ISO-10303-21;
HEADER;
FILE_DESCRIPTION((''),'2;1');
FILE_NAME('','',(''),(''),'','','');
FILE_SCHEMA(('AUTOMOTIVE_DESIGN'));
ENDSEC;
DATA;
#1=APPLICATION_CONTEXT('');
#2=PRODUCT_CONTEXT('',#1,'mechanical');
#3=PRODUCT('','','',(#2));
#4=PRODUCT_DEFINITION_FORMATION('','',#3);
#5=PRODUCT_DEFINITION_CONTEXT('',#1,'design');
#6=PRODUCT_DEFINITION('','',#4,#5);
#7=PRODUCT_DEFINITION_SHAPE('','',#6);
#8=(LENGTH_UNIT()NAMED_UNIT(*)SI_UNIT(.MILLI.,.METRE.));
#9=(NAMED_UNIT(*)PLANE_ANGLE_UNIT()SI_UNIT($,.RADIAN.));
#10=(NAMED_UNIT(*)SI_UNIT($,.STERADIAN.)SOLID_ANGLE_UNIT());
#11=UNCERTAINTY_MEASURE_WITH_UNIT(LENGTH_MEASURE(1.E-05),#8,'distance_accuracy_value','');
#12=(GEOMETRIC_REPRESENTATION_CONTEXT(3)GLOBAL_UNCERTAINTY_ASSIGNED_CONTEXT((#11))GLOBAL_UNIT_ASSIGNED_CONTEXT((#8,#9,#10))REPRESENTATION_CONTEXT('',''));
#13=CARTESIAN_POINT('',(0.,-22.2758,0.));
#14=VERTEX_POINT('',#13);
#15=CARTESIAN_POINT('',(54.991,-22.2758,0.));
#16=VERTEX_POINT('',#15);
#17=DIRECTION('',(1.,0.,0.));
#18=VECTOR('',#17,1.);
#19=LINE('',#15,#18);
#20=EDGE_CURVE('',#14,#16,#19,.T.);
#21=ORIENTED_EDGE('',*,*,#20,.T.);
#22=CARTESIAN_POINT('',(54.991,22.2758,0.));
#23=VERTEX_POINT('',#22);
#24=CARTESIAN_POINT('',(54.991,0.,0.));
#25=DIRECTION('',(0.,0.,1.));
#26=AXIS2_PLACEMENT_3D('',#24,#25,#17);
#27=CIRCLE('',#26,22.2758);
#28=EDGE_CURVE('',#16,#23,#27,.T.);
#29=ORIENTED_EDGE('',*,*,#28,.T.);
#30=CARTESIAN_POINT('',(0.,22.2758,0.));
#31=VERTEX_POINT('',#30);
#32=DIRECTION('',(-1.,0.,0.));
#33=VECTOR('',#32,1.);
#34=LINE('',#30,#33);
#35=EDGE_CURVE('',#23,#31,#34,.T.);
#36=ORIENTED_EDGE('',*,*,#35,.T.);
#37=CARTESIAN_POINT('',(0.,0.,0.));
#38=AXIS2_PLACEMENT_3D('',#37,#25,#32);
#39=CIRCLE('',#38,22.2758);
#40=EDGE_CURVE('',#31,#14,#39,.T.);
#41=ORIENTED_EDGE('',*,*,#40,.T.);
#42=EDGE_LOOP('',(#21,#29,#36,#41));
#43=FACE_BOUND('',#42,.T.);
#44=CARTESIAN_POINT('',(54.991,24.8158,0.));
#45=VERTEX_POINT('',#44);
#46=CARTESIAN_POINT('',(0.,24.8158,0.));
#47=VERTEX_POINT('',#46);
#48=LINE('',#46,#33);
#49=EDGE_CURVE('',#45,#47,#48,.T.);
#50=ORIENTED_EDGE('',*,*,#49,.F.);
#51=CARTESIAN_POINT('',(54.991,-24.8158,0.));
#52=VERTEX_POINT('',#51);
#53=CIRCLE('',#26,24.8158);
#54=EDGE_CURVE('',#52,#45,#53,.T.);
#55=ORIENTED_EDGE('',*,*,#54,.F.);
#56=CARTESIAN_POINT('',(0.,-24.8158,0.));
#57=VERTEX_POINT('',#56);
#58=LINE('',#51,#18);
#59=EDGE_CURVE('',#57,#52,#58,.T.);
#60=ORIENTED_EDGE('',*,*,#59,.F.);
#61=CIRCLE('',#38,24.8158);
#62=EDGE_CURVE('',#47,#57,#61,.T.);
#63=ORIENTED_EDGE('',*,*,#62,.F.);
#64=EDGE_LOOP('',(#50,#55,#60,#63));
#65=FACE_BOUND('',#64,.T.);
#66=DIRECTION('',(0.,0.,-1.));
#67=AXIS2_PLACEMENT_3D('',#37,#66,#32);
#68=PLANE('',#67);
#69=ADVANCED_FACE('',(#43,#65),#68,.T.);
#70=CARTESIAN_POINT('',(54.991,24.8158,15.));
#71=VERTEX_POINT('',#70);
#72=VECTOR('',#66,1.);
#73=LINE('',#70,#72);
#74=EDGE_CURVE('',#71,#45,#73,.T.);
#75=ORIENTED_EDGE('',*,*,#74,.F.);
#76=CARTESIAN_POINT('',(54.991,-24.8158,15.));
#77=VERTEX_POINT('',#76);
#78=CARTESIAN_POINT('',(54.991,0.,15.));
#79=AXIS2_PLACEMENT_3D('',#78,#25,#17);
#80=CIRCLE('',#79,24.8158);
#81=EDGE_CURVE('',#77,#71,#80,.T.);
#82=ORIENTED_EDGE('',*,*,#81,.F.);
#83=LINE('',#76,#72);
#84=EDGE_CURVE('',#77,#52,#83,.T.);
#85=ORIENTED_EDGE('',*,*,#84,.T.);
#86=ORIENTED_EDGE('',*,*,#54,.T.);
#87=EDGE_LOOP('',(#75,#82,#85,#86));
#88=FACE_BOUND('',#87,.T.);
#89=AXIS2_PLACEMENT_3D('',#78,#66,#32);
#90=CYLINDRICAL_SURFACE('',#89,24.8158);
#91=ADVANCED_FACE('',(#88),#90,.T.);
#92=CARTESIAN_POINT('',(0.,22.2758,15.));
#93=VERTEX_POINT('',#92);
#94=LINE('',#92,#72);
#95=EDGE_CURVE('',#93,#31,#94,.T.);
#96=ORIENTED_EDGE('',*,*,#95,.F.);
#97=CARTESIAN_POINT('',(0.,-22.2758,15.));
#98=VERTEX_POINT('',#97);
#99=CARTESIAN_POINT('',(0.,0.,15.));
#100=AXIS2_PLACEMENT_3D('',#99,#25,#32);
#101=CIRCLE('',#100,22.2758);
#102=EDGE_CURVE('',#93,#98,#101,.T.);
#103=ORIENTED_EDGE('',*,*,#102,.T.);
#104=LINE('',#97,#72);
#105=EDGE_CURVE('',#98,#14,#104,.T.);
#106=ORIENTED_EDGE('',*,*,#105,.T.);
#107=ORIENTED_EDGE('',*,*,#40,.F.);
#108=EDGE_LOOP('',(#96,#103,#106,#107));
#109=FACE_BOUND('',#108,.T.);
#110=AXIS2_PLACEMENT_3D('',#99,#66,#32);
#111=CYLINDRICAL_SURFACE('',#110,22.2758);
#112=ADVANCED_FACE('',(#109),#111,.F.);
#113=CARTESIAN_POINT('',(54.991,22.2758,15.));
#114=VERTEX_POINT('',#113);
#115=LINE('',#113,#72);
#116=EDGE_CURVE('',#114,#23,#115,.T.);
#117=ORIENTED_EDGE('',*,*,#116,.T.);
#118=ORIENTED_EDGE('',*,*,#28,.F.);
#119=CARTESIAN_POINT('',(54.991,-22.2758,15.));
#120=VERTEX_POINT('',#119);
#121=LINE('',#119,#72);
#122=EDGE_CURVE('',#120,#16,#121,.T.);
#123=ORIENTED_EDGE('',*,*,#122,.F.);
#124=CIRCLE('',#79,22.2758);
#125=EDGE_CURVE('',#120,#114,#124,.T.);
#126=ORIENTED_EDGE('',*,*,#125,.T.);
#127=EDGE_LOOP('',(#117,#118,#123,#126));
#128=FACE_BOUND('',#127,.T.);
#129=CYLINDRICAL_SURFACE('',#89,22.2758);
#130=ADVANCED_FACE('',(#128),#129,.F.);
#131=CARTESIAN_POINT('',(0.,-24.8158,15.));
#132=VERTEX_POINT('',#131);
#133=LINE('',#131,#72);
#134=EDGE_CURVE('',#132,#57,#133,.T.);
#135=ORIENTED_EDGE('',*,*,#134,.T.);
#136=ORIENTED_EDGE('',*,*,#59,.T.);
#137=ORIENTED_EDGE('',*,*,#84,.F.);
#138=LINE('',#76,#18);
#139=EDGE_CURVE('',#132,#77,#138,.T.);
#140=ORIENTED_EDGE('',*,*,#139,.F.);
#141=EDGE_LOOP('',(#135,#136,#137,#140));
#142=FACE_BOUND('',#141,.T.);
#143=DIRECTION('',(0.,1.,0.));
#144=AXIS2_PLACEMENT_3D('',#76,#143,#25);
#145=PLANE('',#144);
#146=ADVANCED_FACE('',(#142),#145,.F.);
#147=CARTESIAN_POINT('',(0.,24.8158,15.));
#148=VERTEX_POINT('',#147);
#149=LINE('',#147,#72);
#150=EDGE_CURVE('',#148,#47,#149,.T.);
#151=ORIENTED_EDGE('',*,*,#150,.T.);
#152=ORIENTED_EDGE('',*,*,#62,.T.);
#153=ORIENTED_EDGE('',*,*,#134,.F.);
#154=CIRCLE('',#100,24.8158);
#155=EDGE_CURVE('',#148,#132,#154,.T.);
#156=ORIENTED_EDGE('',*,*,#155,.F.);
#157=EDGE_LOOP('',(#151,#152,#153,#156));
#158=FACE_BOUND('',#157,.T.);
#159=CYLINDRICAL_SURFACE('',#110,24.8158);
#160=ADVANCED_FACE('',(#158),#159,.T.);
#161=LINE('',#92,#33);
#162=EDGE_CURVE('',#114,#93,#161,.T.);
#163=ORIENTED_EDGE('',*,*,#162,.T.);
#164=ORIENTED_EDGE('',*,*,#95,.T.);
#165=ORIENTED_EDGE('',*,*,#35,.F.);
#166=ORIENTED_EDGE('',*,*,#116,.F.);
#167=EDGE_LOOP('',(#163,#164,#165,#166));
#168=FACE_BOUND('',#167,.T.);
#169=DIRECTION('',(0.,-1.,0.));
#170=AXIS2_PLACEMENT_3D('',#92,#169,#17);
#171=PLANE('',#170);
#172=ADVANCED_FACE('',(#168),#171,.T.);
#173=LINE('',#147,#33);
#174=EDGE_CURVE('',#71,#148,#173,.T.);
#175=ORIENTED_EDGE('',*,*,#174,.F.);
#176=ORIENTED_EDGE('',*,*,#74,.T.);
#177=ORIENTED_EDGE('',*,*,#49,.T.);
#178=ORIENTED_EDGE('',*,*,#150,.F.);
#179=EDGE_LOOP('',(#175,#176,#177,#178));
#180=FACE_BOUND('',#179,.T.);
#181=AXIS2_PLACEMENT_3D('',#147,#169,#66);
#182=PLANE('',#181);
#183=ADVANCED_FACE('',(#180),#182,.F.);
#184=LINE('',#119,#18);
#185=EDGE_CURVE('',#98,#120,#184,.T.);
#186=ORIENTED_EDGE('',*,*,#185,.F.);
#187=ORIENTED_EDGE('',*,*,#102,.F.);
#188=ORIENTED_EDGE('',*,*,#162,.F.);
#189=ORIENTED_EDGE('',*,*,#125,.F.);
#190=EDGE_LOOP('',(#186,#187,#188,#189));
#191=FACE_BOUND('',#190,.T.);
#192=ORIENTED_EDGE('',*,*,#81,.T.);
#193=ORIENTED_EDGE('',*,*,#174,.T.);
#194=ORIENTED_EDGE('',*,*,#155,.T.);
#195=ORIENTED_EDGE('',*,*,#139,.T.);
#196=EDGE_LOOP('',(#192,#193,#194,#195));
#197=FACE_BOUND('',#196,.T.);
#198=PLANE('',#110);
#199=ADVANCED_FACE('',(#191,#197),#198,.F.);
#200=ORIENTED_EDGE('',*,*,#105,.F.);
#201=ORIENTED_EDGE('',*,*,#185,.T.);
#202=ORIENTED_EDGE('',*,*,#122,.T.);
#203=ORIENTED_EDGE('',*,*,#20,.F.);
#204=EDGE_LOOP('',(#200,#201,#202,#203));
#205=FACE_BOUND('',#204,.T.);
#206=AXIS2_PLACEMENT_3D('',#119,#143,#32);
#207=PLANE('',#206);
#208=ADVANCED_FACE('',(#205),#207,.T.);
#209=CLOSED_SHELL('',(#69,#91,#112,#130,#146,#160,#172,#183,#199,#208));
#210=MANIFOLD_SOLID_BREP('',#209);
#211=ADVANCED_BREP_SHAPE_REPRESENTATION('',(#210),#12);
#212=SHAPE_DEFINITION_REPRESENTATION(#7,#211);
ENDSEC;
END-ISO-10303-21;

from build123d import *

# Parameters (mm, degrees)
BOSS_EXTRUDE1_DEPTH = 15


with BuildPart() as part:
    # Sketch1 → Boss-Extrude1 (new body)
    with BuildSketch(Plane.XY):
        with BuildLine():
            Line((0, 24.8158), (54.991, 24.8158))
            ThreePointArc((54.991, 24.8158), (79.8068, 0), (54.991, -24.8158))
            Line((54.991, -24.8158), (0, -24.8158))
            ThreePointArc((0, -24.8158), (-24.8158, 0), (0, 24.8158))
        make_face()
        with BuildLine():
            Line((0, 22.2758), (54.991, 22.2758))
            ThreePointArc((54.991, 22.2758), (77.2668, 0), (54.991, -22.2758))
            Line((54.991, -22.2758), (0, -22.2758))
            ThreePointArc((0, -22.2758), (-22.2758, 0), (0, 22.2758))
        make_face(mode=Mode.SUBTRACT)
    extrude(amount=BOSS_EXTRUDE1_DEPTH)


solid = part.part
